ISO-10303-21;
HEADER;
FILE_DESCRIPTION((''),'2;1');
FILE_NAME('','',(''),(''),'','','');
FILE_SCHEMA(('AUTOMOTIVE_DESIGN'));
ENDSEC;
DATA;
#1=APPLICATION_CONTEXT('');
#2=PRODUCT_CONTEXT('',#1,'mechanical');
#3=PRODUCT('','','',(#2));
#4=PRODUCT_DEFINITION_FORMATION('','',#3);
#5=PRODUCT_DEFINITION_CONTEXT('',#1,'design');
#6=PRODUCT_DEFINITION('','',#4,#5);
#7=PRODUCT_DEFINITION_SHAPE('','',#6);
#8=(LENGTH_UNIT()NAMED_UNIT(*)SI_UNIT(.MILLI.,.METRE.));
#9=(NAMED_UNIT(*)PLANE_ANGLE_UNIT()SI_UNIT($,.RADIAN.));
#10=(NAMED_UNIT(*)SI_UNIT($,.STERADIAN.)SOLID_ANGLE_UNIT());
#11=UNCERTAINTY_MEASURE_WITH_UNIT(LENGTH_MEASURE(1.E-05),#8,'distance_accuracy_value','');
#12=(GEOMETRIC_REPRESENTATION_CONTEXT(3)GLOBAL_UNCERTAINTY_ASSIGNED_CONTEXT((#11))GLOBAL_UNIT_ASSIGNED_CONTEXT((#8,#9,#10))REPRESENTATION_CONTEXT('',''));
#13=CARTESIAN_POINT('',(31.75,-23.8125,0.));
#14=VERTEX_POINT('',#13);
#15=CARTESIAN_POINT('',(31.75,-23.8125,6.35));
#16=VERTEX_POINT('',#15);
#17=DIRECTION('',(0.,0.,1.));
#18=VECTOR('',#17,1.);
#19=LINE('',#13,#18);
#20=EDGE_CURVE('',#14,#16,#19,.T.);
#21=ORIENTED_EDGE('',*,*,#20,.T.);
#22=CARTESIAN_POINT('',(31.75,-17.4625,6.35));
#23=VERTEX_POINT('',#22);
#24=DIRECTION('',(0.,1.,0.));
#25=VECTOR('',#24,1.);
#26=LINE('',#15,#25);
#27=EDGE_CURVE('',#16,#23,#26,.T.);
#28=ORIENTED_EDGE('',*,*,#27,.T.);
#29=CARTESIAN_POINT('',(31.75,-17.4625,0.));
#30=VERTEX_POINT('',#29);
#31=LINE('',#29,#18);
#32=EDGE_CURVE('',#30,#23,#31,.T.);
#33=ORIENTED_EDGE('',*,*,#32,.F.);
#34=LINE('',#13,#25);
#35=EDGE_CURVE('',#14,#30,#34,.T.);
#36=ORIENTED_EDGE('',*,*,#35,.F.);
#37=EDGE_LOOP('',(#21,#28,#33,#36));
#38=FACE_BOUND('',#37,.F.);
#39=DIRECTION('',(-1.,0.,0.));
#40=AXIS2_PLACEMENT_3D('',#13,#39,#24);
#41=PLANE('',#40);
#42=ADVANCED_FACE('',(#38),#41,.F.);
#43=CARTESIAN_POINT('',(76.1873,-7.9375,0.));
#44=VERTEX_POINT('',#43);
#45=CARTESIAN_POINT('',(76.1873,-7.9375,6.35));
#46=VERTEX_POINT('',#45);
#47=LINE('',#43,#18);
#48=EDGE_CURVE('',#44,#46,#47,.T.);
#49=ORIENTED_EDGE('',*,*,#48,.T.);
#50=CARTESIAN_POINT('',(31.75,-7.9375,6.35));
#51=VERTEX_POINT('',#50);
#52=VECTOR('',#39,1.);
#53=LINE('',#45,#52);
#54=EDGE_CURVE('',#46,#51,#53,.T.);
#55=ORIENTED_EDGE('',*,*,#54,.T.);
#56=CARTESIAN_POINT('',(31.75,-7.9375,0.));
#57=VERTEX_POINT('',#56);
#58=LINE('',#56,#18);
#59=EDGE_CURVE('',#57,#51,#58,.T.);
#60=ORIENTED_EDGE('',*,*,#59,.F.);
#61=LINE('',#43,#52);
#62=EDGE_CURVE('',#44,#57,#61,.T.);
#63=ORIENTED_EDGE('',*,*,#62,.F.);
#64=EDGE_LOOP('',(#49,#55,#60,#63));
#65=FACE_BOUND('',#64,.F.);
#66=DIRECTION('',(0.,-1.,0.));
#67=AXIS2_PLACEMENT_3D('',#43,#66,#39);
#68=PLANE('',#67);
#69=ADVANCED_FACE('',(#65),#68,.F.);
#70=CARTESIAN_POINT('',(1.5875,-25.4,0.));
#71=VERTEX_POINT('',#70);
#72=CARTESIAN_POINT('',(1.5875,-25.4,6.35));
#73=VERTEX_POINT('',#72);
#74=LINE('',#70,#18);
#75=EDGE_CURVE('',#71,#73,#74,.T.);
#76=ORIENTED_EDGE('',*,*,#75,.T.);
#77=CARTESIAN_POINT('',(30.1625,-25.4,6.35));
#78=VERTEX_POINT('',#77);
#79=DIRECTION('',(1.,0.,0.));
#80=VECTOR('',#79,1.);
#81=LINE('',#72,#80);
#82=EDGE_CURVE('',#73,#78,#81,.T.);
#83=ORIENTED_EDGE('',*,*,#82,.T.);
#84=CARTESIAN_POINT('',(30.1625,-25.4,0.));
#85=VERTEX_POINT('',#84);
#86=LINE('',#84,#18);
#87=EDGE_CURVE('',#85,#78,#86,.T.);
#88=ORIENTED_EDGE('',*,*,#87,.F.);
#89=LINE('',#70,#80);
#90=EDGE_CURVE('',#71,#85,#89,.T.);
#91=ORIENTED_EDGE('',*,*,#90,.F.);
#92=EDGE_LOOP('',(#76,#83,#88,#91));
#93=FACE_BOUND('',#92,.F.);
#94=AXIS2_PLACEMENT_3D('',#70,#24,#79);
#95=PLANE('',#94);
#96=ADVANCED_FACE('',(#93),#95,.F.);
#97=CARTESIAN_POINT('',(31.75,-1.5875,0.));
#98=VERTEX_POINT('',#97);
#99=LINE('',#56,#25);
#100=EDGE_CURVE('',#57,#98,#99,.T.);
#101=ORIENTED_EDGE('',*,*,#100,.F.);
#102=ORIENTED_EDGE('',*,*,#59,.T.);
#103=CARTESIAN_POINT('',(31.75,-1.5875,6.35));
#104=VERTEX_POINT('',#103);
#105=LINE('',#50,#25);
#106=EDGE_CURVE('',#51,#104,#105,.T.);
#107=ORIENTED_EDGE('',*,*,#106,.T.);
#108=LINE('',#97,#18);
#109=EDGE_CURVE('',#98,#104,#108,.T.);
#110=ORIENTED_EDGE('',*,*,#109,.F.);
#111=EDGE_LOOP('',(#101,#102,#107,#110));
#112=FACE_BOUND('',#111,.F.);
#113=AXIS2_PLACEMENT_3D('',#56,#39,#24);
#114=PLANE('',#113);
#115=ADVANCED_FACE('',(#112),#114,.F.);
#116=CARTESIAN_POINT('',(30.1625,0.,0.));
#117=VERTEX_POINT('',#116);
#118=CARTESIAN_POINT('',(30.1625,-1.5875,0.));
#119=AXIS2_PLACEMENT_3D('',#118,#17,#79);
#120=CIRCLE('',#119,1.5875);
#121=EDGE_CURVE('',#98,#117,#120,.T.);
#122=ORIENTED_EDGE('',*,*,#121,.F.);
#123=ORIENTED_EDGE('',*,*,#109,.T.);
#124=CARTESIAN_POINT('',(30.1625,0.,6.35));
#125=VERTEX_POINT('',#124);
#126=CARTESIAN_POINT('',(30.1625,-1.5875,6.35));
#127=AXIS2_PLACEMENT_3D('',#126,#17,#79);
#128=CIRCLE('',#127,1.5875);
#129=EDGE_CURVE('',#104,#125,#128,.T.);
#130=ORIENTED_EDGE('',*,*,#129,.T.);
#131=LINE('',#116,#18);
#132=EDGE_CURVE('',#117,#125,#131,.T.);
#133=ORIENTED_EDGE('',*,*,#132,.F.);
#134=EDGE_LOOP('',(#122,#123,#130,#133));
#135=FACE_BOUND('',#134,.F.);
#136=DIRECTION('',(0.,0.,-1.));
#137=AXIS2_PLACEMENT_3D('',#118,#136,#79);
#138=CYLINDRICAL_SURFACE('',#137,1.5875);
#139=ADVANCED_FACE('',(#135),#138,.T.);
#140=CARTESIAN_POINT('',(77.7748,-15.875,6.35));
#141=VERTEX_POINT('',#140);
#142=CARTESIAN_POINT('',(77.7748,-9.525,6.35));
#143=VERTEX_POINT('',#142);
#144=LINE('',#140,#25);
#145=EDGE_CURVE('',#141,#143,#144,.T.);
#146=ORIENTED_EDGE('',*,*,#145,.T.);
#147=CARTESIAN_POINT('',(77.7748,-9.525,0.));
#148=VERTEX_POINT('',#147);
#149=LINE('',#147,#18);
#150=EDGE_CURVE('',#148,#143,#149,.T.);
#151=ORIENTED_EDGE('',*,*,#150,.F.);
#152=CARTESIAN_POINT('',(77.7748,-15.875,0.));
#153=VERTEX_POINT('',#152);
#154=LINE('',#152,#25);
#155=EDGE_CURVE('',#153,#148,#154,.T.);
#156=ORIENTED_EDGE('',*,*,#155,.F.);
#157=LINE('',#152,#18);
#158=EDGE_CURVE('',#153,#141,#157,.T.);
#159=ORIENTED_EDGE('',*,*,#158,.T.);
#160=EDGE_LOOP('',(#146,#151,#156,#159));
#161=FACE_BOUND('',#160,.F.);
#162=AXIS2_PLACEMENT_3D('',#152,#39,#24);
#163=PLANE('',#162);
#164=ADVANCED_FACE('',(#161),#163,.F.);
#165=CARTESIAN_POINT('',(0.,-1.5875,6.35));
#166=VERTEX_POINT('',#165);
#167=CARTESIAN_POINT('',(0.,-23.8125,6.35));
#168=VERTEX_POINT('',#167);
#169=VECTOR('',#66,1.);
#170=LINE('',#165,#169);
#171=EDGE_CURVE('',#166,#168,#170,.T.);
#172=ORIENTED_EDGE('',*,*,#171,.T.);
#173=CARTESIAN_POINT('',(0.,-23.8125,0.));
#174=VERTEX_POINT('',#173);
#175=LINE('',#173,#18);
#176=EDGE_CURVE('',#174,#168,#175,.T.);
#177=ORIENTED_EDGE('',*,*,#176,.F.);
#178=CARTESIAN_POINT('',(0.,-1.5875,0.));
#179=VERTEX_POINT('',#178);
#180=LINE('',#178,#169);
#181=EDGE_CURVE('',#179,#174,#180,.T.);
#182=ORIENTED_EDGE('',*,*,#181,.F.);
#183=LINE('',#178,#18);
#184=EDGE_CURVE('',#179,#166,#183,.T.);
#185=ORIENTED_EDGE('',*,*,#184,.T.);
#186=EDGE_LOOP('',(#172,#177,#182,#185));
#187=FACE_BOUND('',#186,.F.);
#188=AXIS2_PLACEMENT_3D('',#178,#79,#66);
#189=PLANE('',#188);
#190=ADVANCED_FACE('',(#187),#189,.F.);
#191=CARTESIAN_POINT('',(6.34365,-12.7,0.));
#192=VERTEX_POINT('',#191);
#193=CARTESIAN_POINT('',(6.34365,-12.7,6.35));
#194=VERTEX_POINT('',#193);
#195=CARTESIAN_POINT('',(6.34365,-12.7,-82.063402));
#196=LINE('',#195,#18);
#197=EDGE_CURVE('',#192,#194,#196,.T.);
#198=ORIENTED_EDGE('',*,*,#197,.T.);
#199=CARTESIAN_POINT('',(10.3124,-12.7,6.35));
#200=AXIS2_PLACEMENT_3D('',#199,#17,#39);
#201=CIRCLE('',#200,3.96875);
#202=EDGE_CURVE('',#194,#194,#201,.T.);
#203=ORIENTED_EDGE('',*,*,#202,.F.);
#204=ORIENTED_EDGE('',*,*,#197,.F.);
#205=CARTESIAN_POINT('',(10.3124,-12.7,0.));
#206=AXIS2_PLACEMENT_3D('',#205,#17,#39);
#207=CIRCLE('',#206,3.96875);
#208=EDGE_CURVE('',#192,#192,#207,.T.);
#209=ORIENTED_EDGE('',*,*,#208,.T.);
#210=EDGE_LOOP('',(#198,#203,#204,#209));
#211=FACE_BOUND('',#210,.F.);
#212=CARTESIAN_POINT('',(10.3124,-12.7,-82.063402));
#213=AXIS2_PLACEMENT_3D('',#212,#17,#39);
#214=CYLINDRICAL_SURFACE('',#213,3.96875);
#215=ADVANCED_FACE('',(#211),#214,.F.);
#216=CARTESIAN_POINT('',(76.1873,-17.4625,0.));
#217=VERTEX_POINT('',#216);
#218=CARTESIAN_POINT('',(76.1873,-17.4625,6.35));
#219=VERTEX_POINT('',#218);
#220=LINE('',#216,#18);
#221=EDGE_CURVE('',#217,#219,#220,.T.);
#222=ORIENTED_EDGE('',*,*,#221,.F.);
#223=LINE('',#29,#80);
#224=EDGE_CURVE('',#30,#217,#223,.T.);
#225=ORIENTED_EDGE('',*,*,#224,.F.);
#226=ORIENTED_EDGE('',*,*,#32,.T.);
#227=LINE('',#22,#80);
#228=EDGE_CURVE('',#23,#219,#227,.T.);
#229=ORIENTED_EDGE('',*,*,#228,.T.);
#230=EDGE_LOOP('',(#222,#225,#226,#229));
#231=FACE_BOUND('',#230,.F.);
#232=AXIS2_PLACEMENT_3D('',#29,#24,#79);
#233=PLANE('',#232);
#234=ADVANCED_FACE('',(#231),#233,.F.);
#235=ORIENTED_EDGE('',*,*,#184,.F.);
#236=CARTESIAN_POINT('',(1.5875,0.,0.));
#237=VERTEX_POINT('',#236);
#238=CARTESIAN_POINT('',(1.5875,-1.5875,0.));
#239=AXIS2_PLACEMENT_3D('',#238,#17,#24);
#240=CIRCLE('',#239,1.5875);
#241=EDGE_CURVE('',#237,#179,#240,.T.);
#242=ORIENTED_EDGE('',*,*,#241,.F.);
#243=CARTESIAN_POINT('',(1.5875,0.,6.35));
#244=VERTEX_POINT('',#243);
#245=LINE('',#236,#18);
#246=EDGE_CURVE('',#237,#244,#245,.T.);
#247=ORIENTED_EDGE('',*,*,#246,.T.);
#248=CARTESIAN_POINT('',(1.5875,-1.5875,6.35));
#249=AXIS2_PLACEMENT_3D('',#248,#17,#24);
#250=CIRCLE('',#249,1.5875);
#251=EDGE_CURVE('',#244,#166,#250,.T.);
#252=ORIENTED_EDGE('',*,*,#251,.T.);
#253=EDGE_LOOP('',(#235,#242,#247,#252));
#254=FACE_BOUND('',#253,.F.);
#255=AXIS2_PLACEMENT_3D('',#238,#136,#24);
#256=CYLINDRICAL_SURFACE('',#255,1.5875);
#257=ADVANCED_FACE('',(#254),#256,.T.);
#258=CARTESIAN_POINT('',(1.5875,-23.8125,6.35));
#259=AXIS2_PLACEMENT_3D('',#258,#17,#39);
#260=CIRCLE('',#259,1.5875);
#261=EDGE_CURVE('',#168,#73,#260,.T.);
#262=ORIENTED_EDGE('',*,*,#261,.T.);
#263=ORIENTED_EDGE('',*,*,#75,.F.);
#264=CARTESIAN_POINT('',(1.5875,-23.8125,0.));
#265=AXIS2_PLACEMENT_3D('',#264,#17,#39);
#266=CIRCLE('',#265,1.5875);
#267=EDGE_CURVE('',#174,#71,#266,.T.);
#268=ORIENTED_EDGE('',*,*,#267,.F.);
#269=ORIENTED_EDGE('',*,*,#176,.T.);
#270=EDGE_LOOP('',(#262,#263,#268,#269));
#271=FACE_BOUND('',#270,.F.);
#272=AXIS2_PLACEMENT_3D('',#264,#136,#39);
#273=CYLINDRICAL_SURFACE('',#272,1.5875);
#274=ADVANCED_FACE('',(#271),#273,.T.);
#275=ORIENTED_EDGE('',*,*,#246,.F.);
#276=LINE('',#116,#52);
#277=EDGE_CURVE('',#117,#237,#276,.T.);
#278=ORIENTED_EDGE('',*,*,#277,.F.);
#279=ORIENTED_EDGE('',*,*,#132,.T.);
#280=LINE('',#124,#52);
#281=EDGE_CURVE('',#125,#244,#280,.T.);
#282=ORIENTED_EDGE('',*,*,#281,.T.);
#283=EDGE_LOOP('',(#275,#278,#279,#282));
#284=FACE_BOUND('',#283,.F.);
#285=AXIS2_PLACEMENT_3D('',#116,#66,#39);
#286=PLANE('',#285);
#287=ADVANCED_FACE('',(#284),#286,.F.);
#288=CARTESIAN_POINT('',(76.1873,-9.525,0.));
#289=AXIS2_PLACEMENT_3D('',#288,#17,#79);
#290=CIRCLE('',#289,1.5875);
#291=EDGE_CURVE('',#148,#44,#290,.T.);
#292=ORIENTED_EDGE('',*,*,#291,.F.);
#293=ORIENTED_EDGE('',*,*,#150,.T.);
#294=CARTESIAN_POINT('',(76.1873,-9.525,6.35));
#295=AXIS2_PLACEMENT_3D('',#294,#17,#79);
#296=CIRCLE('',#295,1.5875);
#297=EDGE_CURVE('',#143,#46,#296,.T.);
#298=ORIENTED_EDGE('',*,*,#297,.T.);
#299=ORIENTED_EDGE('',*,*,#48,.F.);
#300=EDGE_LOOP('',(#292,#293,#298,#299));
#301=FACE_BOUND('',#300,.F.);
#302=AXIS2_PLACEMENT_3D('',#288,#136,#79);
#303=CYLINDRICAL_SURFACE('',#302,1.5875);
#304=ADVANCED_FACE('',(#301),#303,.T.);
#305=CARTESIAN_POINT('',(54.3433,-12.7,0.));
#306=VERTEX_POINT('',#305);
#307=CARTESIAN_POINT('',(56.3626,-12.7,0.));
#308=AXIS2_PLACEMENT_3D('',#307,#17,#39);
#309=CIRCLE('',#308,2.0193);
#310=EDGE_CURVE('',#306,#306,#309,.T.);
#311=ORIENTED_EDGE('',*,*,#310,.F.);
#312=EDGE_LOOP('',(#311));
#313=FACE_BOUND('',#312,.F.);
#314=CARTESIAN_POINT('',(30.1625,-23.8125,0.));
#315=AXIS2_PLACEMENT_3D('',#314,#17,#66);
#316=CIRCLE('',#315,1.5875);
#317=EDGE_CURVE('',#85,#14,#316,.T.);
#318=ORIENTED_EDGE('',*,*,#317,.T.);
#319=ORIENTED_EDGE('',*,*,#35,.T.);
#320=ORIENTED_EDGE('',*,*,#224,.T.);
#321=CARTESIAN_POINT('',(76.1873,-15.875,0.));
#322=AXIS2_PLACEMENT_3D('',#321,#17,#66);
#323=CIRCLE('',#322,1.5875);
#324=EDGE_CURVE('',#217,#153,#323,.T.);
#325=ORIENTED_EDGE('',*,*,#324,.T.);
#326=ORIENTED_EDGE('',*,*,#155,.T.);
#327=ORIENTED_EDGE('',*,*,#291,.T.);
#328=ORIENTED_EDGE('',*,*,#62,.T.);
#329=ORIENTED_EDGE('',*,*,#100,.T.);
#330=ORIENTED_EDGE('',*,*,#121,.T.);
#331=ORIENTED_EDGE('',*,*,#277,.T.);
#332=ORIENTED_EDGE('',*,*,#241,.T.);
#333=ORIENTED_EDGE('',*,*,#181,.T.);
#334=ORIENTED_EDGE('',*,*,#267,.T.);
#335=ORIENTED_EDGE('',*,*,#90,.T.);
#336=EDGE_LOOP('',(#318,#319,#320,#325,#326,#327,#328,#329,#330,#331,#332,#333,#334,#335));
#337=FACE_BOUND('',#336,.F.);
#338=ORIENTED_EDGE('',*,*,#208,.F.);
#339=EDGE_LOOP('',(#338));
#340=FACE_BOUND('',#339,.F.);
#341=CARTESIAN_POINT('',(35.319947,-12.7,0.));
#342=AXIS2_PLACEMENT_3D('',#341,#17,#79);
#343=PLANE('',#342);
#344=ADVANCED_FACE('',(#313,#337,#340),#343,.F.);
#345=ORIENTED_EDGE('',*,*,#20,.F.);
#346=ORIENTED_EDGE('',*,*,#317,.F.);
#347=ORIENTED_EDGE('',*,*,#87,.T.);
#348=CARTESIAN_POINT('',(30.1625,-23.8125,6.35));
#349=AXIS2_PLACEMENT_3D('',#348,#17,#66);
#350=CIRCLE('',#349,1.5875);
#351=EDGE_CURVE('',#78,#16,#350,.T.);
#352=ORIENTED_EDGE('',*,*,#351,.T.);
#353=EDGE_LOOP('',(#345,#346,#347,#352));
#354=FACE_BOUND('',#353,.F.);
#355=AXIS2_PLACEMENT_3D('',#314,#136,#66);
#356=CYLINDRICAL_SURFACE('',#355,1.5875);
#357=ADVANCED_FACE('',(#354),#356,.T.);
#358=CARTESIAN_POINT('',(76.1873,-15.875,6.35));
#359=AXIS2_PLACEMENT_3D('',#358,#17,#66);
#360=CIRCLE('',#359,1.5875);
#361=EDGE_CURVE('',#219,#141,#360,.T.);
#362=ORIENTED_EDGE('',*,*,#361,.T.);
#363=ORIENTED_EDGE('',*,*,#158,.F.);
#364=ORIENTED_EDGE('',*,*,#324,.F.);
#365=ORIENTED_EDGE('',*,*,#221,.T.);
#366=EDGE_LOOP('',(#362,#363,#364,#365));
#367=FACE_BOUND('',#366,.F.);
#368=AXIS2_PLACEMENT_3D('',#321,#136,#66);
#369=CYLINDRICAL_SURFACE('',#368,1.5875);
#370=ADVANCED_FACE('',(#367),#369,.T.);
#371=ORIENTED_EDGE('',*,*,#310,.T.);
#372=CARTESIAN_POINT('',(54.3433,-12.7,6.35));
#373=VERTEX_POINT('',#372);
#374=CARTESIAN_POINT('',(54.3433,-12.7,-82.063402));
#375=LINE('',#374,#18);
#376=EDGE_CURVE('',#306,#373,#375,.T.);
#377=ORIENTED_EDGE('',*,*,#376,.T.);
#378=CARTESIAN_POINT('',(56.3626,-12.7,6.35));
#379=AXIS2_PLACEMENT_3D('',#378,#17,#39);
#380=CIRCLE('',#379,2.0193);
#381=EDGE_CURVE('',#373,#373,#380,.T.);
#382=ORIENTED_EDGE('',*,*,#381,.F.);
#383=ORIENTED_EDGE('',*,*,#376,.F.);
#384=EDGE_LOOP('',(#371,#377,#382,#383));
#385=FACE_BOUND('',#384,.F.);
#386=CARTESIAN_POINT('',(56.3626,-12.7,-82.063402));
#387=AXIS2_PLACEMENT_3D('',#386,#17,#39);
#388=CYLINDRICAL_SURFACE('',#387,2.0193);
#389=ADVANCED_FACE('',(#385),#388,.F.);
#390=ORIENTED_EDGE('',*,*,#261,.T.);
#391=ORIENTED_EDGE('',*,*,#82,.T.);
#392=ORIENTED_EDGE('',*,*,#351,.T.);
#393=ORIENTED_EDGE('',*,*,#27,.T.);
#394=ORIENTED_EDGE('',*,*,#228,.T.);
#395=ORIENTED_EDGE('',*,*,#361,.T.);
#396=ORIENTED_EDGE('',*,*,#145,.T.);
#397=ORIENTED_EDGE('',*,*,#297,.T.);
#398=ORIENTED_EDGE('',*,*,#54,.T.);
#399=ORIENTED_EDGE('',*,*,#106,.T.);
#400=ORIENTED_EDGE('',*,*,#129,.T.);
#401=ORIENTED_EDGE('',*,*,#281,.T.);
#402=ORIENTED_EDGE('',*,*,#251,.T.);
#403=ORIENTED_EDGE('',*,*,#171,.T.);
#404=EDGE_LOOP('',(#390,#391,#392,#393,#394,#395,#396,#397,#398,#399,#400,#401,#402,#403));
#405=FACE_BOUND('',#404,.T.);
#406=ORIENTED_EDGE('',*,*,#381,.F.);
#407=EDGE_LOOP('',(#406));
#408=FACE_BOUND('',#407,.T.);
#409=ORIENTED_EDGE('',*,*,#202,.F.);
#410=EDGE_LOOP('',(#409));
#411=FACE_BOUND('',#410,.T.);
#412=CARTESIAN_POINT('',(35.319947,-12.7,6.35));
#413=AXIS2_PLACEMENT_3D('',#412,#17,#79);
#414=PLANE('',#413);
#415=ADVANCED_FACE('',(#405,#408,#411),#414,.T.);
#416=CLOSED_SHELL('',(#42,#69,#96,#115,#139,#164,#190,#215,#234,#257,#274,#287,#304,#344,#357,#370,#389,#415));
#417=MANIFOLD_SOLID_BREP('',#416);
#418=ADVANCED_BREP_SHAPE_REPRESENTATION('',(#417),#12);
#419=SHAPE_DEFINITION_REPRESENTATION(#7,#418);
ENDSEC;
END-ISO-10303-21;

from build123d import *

# Parameters (mm, degrees)
F1_DEPTH = 6.35
F2_D     = 7.9375
F3_D     = 4.0386


with BuildPart() as f1:
    # F0 (on Top) → F1 (new body)
    with BuildSketch(Plane.XY):
        with BuildLine():
            Line((30.1625, 0), (1.5875, 0))
            ThreePointArc((1.5875, 0), (0.4649679849, -0.4649679849), (0, -1.5875))
            Line((0, -1.5875), (0, -23.8125))
            ThreePointArc((0, -23.8125), (0.4649679849, -24.9350320151), (1.5875, -25.4))
            Line((1.5875, -25.4), (30.1625, -25.4))
            ThreePointArc((30.1625, -25.4), (31.2850320151, -24.9350320151), (31.75, -23.8125))
            Line((31.75, -23.8125), (31.75, -17.4625))
            Line((31.75, -17.4625), (76.1873, -17.4625))
            ThreePointArc((76.1873, -17.4625), (77.3098320151, -16.9975320151), (77.7748, -15.875))
            Line((77.7748, -15.875), (77.7748, -9.525))
            ThreePointArc((77.7748, -9.525), (77.3098320151, -8.4024679849), (76.1873, -7.9375))
            Line((76.1873, -7.9375), (31.75, -7.9375))
            Line((31.75, -7.9375), (31.75, -1.5875))
            ThreePointArc((31.75, -1.5875), (31.2850320151, -0.4649679849), (30.1625, 0))
        make_face()
    extrude(amount=F1_DEPTH)

    # F2 (through all)
    with Locations(Plane(origin=(0, 0, 0), x_dir=(1, 0, 0), z_dir=(0, 0, -1))):
        with Locations((10.3124, 12.7)):
            Hole(F2_D / 2)

    # F3 (through all)
    with Locations(Plane(origin=(0, 0, 0), x_dir=(1, 0, 0), z_dir=(0, 0, -1))):
        with Locations((56.3626, 12.7)):
            Hole(F3_D / 2)


solid = f1.part
